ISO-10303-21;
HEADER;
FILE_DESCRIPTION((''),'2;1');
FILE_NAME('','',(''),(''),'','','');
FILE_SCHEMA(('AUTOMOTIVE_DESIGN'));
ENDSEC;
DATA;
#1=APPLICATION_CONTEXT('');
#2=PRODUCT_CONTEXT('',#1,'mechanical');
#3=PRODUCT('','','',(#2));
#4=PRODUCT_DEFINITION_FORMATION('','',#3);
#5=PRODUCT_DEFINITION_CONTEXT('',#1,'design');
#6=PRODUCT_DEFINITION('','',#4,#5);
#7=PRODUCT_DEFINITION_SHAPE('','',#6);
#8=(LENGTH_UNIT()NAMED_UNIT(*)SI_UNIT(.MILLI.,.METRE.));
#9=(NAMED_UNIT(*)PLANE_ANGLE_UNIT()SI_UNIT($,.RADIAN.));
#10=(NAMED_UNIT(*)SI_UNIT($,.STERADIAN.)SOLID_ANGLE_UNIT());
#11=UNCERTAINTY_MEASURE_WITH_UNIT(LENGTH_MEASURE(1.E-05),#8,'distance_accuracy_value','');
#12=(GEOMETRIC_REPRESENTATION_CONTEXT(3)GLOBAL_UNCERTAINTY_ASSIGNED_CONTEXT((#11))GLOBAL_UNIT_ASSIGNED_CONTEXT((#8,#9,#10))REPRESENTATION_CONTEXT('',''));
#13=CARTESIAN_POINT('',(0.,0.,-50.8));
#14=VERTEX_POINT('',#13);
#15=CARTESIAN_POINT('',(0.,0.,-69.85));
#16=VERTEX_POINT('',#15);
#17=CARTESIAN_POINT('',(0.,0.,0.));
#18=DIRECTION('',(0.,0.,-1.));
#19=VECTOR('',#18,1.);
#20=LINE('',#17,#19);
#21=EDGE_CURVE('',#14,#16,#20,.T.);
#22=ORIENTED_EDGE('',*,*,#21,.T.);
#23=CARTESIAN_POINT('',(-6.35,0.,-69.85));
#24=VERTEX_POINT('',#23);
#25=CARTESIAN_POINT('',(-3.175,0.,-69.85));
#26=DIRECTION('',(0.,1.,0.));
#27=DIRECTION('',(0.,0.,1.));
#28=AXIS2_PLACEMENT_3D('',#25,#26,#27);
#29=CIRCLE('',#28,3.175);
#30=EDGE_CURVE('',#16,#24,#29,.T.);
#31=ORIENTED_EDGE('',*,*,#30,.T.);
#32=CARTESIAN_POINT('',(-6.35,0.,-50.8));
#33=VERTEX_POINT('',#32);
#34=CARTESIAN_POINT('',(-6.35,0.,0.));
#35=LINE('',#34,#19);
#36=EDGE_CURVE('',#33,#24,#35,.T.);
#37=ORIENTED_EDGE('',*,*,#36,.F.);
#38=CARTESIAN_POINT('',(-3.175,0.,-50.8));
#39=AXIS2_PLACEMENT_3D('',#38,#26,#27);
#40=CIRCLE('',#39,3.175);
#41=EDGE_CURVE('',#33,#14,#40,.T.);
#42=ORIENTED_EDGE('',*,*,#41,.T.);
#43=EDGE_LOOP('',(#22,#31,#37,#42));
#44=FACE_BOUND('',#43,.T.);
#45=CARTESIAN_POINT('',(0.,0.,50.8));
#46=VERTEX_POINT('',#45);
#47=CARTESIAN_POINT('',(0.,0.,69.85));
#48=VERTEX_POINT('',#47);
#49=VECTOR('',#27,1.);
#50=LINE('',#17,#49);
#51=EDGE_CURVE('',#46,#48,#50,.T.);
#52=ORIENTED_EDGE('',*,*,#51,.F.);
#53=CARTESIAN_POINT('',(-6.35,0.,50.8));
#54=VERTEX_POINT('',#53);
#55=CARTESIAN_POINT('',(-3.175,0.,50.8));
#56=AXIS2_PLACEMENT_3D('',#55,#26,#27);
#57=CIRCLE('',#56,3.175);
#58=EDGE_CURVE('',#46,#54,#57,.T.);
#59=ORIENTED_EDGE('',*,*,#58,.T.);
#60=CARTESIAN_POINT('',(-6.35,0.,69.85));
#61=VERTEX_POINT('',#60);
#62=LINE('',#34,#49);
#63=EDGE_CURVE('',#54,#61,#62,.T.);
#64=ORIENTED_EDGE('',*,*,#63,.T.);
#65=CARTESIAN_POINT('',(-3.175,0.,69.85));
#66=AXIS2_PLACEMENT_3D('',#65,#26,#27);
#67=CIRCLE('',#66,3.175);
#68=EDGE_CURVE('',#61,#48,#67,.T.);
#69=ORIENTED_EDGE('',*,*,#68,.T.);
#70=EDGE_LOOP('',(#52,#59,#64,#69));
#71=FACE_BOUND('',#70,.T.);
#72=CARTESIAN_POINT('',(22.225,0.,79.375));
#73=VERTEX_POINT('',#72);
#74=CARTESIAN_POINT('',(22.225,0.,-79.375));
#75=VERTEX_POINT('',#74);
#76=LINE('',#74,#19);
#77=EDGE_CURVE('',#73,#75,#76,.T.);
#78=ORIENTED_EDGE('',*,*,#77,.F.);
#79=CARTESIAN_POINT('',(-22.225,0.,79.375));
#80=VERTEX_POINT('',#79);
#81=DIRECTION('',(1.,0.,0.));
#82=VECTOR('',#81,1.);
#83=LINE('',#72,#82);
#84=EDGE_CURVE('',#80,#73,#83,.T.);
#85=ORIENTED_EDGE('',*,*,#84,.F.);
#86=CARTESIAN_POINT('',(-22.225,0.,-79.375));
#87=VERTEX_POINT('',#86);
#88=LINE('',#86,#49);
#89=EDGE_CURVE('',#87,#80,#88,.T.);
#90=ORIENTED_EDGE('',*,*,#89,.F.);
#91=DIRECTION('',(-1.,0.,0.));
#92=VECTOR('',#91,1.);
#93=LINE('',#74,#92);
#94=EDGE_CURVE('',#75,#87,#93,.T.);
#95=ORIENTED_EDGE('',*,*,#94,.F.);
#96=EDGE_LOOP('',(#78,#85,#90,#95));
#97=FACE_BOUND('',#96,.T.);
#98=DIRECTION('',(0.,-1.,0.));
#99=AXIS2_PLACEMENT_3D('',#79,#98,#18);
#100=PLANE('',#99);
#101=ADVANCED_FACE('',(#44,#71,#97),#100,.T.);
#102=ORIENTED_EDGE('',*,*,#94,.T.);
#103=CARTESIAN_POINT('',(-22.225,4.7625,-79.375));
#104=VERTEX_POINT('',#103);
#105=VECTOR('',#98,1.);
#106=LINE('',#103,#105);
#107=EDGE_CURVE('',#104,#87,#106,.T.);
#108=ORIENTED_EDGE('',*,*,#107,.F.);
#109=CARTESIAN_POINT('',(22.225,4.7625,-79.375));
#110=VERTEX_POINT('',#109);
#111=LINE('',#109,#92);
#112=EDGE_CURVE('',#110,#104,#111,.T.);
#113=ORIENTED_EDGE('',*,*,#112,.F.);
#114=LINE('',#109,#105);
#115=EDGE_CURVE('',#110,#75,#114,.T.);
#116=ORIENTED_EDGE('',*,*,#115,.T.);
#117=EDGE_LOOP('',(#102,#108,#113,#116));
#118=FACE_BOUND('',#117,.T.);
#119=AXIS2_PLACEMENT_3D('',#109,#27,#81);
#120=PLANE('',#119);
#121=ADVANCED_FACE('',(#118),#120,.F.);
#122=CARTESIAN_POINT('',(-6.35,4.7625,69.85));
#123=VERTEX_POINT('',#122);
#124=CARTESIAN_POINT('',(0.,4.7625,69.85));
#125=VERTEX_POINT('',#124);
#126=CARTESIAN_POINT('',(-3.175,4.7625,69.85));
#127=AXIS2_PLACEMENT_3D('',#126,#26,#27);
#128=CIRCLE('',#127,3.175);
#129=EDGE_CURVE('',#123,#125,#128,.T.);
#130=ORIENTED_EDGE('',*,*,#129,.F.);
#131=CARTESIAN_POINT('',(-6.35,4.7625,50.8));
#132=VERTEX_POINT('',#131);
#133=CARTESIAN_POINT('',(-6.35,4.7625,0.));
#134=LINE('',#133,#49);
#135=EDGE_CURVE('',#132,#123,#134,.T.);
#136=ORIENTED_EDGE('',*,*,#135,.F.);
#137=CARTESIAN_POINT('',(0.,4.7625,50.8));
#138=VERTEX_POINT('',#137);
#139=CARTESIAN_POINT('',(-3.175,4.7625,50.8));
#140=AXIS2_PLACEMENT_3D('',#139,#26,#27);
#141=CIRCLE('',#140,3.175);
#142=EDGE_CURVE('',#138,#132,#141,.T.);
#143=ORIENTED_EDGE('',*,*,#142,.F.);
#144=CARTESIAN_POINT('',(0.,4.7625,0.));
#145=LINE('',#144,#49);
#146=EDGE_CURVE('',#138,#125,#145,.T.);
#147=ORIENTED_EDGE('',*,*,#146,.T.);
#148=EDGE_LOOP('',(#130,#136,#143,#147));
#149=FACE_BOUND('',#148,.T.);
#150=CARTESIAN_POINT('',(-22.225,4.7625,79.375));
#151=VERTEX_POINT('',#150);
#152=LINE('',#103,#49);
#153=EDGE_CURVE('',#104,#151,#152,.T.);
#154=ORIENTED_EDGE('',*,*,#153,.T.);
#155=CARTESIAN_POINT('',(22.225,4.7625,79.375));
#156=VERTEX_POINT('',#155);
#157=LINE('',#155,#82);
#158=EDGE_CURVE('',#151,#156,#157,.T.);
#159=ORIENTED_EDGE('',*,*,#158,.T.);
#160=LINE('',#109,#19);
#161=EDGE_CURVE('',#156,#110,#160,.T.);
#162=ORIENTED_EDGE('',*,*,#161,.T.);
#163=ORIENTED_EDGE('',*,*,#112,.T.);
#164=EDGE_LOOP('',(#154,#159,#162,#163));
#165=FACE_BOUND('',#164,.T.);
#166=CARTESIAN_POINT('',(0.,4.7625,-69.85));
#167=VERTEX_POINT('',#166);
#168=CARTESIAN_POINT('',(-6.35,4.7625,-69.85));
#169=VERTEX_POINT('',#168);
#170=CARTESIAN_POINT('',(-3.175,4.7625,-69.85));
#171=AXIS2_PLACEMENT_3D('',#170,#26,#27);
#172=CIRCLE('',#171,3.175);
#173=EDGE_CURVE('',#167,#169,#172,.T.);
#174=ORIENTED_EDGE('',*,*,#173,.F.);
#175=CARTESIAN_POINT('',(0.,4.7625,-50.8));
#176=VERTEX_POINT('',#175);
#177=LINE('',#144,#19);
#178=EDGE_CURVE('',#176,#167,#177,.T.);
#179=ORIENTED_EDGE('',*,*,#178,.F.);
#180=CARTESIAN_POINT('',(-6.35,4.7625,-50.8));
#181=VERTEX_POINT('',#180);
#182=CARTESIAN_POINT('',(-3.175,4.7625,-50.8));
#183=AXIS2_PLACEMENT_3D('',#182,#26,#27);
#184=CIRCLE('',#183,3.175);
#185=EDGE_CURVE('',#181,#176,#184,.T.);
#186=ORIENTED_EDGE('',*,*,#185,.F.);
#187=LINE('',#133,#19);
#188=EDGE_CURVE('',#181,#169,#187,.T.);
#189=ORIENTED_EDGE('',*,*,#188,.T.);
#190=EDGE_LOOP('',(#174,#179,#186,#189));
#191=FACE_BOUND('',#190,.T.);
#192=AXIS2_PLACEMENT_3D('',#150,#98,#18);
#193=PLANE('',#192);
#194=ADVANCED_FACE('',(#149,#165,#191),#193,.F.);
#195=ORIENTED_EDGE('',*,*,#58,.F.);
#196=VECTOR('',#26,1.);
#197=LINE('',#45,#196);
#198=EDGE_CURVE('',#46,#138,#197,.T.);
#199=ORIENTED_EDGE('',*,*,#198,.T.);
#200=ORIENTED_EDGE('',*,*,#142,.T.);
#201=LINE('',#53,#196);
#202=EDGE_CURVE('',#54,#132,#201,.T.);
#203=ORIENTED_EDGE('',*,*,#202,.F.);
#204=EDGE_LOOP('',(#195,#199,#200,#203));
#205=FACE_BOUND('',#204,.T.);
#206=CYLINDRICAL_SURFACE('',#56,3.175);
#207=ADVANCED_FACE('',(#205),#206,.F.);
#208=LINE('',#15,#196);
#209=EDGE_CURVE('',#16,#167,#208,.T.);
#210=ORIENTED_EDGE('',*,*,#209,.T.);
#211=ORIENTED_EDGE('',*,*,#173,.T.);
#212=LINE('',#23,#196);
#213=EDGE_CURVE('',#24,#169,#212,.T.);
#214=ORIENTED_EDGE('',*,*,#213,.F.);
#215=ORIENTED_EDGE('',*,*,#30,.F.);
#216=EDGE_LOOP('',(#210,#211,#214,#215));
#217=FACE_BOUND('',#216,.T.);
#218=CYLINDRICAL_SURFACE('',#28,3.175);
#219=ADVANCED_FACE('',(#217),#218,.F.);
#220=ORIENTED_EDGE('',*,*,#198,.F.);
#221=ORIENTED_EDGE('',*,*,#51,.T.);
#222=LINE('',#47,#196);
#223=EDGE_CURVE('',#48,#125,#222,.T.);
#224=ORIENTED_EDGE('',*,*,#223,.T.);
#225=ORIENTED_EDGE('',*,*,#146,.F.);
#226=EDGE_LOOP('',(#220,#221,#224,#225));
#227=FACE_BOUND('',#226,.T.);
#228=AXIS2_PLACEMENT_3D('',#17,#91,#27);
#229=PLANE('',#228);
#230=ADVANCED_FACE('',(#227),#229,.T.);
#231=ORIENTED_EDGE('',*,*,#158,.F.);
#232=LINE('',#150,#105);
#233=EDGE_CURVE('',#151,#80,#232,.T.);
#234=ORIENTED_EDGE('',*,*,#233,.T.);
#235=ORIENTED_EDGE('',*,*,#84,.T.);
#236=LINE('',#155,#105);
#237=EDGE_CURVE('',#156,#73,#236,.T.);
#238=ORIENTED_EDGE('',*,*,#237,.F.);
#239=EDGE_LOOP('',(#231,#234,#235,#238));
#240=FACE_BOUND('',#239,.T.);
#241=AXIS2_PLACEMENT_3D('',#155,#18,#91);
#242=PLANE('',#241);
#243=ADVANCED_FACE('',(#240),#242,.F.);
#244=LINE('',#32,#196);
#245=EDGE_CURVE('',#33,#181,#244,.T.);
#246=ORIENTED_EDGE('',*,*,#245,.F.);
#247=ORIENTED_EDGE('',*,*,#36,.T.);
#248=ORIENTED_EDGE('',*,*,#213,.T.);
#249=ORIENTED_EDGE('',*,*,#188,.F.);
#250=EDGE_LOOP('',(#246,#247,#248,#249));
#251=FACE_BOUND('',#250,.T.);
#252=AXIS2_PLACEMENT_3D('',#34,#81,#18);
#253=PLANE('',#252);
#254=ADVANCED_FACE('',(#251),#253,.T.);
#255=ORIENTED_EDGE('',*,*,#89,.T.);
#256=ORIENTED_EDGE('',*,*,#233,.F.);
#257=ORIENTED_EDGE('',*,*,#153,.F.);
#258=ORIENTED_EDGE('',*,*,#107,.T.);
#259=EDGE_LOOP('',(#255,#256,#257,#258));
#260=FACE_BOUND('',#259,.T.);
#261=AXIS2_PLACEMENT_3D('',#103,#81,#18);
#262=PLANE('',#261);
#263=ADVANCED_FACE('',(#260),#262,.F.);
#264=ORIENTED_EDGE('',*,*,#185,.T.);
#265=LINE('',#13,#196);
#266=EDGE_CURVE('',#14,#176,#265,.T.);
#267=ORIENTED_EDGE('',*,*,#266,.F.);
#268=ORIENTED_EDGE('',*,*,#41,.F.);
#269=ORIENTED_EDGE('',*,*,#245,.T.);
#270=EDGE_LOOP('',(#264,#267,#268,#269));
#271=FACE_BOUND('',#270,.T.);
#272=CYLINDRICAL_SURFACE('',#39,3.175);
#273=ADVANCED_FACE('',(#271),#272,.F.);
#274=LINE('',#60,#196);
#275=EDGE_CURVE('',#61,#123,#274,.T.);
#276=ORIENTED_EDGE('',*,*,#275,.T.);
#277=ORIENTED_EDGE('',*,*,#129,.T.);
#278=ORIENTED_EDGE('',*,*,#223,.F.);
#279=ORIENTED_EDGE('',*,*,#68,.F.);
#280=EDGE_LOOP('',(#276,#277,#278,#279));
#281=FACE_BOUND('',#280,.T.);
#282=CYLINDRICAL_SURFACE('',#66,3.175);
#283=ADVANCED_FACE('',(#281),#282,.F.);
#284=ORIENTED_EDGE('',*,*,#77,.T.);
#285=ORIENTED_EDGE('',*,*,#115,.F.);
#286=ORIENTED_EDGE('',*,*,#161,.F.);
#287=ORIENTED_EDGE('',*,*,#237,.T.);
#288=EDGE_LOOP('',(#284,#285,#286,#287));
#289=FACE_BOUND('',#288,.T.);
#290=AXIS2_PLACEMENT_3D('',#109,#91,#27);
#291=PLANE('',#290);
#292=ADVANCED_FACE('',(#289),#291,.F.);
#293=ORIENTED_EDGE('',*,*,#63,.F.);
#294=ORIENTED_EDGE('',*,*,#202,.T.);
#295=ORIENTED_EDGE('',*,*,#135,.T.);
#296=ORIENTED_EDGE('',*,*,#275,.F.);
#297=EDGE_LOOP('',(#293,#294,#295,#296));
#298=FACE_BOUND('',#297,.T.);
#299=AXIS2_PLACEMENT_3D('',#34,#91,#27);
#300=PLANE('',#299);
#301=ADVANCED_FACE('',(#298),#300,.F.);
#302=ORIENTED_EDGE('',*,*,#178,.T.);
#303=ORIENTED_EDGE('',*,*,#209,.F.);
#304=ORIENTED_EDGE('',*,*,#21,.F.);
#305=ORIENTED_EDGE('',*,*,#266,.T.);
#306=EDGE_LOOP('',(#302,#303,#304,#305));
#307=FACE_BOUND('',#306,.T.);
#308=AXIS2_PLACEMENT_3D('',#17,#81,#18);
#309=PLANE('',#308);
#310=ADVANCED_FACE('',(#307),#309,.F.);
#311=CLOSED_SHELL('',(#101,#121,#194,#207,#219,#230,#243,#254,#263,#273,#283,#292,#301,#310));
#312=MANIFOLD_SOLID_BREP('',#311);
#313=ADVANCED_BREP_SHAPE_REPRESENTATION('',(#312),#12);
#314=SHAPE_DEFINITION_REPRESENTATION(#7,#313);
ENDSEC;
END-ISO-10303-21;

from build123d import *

# Parameters (mm, degrees)
SKETCH1_W           = 44.45
SKETCH1_H           = 158.75
BOSS_EXTRUDE1_DEPTH = 4.7625
CUT_EXTRUDE1_DEPTH  = 5.7625


with BuildPart() as part:
    # Sketch1 → Boss-Extrude1 (new body)
    with BuildSketch(Plane(origin=(0, 0, 0), x_dir=(1, 0, 0), z_dir=(0, 1, 0))):
        Rectangle(SKETCH1_W, SKETCH1_H)
    extrude(amount=BOSS_EXTRUDE1_DEPTH)

    # Sketch2 → Cut-Extrude1 (cut, through all)
    with BuildSketch(Plane(origin=(0, 4.7625, 0), x_dir=(1, 0, 0), z_dir=(0, 1, 0))):
        with BuildLine():
            Line((0, 50.8), (0, 69.85))
            ThreePointArc((0, 69.85), (-3.175, 73.025), (-6.35, 69.85))
            Line((-6.35, 69.85), (-6.35, 50.8))
            ThreePointArc((-6.35, 50.8), (-3.175, 47.625), (0, 50.8))
        make_face()
        with BuildLine():
            Line((-6.35, -50.8), (-6.35, -69.85))
            ThreePointArc((-6.35, -69.85), (-3.175, -73.025), (0, -69.85))
            Line((0, -69.85), (0, -50.8))
            ThreePointArc((0, -50.8), (-3.175, -47.625), (-6.35, -50.8))
        make_face()
    extrude(amount=-CUT_EXTRUDE1_DEPTH, mode=Mode.SUBTRACT)


solid = part.part
